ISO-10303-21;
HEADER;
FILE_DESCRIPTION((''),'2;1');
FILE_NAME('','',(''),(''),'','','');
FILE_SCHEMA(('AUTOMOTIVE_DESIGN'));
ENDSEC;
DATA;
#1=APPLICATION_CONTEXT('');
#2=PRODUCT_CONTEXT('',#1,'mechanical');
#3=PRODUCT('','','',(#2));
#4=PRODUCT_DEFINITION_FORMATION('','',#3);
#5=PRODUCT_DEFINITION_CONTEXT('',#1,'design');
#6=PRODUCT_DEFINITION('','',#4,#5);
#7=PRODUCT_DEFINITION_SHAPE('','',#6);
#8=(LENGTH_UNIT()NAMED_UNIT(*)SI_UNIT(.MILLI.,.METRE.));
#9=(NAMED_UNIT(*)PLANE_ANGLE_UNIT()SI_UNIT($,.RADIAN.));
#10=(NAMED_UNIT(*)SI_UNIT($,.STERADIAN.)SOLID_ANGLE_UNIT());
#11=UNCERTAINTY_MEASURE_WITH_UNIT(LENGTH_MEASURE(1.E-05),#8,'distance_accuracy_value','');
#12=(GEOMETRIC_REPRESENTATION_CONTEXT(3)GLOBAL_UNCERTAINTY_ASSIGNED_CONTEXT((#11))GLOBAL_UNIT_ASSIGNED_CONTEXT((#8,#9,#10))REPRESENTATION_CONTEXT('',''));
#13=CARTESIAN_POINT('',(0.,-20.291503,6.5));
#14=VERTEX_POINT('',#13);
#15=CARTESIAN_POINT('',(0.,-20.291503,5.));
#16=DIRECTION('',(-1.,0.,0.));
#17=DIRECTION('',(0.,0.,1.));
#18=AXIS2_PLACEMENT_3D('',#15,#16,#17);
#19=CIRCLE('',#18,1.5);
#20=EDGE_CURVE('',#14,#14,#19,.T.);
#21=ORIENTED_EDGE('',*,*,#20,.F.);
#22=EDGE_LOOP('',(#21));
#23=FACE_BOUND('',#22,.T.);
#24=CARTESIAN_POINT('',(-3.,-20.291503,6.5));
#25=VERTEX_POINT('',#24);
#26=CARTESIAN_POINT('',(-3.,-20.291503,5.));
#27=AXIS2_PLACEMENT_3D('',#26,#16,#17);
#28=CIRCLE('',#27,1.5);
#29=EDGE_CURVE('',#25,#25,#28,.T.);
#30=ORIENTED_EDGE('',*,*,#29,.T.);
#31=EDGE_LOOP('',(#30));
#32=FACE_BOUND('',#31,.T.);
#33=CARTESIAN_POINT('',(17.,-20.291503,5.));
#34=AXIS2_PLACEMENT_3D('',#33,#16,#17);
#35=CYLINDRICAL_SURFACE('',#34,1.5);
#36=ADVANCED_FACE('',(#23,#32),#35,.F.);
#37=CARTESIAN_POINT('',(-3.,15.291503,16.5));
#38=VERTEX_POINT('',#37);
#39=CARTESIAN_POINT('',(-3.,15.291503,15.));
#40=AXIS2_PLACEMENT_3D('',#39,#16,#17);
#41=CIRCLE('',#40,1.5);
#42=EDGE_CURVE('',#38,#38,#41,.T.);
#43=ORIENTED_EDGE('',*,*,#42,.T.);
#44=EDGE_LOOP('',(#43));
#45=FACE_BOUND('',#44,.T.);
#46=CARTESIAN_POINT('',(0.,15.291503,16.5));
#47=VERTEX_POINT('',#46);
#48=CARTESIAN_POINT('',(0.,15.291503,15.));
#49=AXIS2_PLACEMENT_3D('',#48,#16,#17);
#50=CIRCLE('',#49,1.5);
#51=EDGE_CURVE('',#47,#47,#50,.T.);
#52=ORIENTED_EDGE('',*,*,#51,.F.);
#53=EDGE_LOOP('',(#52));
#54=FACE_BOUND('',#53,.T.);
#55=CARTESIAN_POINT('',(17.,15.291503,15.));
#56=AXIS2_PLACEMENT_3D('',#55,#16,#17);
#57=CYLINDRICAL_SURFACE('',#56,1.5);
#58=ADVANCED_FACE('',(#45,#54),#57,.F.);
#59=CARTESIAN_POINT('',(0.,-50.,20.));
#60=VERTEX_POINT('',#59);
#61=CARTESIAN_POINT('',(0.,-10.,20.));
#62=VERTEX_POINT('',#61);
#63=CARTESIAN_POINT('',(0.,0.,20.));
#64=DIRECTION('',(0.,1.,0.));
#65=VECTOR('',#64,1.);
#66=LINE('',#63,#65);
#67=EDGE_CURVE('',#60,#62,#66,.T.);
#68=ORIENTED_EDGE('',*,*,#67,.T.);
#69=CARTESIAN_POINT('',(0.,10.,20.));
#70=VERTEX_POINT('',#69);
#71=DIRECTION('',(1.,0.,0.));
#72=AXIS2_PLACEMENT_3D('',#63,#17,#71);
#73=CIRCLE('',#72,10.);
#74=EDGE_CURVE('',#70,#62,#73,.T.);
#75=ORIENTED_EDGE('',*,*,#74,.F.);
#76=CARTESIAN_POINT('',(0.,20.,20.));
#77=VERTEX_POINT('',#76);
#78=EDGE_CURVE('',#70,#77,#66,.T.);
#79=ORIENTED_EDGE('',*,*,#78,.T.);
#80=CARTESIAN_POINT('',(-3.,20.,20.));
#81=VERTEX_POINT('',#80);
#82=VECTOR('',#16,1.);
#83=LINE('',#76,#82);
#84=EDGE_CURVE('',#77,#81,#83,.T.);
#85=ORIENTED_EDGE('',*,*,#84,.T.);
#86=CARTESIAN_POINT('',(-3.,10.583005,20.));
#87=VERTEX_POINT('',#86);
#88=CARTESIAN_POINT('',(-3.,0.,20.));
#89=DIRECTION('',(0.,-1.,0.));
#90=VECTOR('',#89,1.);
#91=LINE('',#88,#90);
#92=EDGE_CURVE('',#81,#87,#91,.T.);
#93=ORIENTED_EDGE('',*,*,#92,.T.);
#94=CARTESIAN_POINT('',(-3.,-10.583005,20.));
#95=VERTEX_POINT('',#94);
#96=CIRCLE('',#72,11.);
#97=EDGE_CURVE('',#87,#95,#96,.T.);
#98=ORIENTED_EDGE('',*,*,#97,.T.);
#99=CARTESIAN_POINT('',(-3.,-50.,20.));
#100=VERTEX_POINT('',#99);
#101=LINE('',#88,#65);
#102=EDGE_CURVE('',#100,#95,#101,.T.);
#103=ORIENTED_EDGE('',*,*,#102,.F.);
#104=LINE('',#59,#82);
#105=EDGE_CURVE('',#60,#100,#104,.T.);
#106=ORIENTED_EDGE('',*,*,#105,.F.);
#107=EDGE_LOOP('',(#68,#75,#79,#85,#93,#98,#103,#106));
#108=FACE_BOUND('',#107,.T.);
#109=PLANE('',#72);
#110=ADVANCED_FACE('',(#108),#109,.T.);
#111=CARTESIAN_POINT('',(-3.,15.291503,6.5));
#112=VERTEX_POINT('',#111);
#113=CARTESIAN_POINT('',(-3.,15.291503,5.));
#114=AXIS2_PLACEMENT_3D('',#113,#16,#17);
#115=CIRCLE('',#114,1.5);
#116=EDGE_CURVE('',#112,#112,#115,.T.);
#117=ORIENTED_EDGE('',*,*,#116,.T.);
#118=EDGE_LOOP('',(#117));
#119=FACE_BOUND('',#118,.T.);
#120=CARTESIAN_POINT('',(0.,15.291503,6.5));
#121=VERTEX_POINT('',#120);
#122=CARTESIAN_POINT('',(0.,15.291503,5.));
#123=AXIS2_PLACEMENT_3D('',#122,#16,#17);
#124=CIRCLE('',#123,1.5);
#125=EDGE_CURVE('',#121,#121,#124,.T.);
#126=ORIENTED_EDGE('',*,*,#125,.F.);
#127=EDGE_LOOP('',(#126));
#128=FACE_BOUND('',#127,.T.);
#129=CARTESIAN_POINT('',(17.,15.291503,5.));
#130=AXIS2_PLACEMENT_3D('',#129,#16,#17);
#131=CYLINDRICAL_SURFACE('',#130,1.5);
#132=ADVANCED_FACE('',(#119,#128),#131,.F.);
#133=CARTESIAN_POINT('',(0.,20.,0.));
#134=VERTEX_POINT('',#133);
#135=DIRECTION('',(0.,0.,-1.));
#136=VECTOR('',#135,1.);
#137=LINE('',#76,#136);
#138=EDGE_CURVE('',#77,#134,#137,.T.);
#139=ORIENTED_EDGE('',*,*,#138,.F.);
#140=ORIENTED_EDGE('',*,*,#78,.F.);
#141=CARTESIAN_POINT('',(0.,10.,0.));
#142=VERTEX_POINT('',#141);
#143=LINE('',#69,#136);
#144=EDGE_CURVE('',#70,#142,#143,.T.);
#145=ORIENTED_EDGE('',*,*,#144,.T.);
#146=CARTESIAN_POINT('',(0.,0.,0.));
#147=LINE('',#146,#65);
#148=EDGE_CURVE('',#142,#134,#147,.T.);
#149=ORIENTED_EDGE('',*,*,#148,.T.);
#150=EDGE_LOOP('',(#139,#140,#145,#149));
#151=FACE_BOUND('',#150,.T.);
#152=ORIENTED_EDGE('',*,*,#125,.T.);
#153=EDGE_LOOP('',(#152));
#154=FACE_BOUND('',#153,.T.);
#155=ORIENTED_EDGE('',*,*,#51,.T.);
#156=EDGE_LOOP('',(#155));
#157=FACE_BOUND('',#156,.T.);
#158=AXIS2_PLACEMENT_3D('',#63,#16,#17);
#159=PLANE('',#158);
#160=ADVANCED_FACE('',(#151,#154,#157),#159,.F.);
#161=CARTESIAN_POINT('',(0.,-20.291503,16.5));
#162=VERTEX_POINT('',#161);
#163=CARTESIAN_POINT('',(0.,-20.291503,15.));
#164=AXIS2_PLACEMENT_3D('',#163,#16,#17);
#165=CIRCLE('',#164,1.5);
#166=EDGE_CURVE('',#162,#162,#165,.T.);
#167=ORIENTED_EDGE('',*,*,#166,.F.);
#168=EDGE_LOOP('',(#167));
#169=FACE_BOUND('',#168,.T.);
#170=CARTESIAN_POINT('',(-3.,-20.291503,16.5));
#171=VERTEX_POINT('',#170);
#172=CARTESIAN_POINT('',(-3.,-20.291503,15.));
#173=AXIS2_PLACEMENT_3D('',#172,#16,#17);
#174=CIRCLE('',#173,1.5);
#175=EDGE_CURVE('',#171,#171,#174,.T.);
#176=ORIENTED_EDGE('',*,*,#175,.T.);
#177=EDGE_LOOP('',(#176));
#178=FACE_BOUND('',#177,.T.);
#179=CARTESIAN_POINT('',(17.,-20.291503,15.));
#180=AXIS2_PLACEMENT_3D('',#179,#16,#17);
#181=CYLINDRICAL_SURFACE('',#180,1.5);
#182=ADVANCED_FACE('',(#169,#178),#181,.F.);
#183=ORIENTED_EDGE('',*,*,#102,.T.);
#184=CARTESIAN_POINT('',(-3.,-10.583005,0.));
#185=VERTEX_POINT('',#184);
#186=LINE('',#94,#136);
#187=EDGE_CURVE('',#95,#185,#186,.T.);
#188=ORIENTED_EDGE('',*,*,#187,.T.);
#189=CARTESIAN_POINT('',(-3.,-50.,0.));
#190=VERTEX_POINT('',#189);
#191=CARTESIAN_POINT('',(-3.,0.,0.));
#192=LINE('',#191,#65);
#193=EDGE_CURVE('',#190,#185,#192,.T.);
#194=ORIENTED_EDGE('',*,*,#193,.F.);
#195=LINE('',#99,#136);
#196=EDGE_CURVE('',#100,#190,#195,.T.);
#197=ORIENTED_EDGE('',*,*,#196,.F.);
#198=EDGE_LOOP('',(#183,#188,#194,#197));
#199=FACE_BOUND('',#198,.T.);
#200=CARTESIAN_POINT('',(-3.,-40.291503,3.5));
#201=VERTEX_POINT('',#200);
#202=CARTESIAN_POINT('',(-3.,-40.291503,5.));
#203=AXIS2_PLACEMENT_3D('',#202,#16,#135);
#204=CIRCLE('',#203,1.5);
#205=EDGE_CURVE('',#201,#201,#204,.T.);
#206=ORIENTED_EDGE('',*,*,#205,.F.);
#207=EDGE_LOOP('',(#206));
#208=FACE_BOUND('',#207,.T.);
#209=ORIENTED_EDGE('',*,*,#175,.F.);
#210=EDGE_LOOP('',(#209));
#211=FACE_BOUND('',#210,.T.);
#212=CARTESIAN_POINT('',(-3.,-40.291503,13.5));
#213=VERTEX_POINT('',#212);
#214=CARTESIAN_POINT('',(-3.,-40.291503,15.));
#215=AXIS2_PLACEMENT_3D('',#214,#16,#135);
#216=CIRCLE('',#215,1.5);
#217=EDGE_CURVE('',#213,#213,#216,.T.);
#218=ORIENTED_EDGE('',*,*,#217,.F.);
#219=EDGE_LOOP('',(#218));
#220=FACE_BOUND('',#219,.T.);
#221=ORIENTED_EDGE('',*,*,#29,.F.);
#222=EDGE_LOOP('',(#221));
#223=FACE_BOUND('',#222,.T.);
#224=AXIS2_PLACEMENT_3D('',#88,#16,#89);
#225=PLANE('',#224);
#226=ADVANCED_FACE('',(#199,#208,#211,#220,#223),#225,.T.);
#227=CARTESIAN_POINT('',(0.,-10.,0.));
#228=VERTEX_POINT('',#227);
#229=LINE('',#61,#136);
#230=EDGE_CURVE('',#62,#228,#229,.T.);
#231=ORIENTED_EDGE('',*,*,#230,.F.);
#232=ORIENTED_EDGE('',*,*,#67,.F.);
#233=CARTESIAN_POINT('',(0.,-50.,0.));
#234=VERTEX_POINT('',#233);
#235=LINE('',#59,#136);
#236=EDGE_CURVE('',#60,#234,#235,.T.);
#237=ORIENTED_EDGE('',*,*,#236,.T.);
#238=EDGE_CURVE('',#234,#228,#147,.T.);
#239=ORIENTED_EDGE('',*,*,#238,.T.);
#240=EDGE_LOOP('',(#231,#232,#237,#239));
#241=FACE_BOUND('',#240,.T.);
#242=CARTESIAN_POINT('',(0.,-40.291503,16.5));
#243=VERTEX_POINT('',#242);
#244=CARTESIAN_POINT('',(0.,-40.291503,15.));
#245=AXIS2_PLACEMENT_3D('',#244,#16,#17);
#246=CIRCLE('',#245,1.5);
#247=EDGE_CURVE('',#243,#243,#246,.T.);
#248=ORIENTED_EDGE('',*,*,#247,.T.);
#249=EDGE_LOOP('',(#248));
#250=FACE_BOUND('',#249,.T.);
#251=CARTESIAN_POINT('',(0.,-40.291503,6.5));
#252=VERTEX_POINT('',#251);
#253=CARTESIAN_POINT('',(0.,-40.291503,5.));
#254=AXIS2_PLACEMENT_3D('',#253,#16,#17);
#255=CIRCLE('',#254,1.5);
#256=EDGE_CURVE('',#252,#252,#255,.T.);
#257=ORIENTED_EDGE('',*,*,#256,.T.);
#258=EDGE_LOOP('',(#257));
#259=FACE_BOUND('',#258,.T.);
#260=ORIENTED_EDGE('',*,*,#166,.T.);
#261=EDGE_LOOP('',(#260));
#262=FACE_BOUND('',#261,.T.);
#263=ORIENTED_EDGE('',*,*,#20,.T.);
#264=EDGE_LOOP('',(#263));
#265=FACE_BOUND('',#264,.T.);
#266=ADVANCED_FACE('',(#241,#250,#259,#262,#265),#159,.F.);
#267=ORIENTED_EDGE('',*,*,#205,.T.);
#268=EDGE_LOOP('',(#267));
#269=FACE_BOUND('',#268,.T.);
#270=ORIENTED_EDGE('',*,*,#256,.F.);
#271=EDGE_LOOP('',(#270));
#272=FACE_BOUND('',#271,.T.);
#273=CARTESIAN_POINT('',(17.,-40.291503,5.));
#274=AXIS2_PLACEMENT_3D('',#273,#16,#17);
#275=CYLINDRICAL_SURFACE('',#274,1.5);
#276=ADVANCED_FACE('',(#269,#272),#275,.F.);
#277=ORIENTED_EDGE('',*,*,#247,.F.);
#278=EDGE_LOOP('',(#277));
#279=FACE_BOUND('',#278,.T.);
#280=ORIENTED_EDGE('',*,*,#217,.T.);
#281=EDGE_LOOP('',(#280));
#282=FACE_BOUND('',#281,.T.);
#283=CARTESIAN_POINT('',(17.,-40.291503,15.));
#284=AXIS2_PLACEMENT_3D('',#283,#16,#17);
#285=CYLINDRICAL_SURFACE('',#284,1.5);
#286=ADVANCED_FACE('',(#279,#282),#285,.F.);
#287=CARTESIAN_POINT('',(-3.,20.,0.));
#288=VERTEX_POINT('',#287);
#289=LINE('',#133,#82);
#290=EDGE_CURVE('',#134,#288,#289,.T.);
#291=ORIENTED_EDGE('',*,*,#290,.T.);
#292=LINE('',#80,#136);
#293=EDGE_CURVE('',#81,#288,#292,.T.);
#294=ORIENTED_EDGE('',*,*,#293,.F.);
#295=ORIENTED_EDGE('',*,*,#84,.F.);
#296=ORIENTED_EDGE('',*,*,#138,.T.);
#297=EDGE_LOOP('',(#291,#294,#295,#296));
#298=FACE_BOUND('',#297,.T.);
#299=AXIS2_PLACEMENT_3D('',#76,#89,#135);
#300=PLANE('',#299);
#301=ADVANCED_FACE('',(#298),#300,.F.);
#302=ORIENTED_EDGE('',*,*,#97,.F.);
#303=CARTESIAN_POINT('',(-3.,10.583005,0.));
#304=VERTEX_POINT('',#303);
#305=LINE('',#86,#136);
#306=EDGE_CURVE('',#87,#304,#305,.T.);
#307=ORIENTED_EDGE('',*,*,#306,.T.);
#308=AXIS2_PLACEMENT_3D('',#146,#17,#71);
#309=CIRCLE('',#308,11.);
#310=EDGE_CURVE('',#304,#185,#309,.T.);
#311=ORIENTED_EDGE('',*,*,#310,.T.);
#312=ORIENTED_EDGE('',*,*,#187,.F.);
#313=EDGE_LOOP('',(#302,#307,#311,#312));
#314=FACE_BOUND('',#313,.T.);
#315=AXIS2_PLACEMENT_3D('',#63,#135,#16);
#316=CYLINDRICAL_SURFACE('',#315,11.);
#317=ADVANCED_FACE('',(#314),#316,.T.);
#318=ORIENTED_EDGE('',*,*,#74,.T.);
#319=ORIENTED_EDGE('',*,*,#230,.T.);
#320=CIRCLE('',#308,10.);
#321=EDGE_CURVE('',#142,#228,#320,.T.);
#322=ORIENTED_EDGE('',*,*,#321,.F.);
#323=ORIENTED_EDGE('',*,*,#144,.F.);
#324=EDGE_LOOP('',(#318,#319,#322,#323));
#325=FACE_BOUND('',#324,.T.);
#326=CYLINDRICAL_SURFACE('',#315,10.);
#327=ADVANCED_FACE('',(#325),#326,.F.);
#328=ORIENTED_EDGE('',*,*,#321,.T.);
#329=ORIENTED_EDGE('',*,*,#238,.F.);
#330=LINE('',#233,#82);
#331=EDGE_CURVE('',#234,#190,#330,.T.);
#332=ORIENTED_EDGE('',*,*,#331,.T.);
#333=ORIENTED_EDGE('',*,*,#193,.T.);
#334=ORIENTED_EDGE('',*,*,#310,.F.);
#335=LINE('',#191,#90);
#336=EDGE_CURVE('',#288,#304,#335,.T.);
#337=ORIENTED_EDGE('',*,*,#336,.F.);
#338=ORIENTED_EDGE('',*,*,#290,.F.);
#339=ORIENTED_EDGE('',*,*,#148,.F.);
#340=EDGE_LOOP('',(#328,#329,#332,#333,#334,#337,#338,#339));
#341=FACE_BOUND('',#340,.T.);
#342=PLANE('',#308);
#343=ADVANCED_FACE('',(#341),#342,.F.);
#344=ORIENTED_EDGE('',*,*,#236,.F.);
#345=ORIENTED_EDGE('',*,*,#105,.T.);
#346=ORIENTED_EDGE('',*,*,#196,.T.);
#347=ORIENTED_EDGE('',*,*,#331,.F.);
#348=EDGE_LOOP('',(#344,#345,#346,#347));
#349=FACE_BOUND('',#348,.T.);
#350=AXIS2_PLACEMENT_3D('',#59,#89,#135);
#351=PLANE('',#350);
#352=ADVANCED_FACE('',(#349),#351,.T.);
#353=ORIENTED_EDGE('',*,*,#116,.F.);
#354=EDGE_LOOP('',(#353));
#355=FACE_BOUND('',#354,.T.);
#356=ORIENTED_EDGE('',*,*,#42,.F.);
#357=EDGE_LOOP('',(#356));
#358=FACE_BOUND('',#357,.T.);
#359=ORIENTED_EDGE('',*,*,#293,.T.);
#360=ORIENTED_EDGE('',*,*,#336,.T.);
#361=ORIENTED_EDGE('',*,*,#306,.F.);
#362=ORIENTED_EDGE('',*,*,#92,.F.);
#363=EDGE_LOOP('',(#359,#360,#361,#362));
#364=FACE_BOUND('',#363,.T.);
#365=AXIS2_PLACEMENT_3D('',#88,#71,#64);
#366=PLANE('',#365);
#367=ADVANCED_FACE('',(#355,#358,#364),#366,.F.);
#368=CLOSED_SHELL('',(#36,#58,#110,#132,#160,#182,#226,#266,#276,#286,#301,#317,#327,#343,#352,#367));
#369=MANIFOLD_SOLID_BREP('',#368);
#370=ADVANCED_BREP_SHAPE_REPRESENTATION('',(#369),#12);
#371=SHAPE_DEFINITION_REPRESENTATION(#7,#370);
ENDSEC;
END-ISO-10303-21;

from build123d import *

# Parameters (mm, degrees)
EXTRUDE_1_DEPTH     = 20
SKETCH_2_R          = 1.5
CUT_EXTRUDE_1_DEPTH = 20


with BuildPart() as part:
    # 草图1 → 凸台-拉伸1 (new body)
    with BuildSketch(Plane.XY):
        with BuildLine():
            Line((-3, 20), (-3, 10.583005244))
            ThreePointArc((-3, 10.583005244), (-11, 0), (-3, -10.583005244))
            Line((-3, -10.583005244), (-3, -50))
            Line((-3, -50), (0, -50))
            Line((0, -50), (0, -10))
            ThreePointArc((0, -10), (-10, 0), (0, 10))
            Line((0, 10), (0, 20))
            Line((0, 20), (-3, 20))
        make_face()
    extrude(amount=EXTRUDE_1_DEPTH)

    # 草图2 → 切除-拉伸1 (cut)
    with BuildSketch(Plane.ZY.offset(3)):
        with Locations((5, 15.291502622)):
            Circle(SKETCH_2_R)
        with Locations((15, 15.291502622)):
            Circle(SKETCH_2_R)
        with Locations((5, -20.291502622)):
            Circle(SKETCH_2_R)
        with Locations((15, -20.291502622)):
            Circle(SKETCH_2_R)
        with Locations((15, -40.291502622)):
            Circle(SKETCH_2_R)
        with Locations((5, -40.291502622)):
            Circle(SKETCH_2_R)
    extrude(amount=-CUT_EXTRUDE_1_DEPTH, mode=Mode.SUBTRACT)


solid = part.part
